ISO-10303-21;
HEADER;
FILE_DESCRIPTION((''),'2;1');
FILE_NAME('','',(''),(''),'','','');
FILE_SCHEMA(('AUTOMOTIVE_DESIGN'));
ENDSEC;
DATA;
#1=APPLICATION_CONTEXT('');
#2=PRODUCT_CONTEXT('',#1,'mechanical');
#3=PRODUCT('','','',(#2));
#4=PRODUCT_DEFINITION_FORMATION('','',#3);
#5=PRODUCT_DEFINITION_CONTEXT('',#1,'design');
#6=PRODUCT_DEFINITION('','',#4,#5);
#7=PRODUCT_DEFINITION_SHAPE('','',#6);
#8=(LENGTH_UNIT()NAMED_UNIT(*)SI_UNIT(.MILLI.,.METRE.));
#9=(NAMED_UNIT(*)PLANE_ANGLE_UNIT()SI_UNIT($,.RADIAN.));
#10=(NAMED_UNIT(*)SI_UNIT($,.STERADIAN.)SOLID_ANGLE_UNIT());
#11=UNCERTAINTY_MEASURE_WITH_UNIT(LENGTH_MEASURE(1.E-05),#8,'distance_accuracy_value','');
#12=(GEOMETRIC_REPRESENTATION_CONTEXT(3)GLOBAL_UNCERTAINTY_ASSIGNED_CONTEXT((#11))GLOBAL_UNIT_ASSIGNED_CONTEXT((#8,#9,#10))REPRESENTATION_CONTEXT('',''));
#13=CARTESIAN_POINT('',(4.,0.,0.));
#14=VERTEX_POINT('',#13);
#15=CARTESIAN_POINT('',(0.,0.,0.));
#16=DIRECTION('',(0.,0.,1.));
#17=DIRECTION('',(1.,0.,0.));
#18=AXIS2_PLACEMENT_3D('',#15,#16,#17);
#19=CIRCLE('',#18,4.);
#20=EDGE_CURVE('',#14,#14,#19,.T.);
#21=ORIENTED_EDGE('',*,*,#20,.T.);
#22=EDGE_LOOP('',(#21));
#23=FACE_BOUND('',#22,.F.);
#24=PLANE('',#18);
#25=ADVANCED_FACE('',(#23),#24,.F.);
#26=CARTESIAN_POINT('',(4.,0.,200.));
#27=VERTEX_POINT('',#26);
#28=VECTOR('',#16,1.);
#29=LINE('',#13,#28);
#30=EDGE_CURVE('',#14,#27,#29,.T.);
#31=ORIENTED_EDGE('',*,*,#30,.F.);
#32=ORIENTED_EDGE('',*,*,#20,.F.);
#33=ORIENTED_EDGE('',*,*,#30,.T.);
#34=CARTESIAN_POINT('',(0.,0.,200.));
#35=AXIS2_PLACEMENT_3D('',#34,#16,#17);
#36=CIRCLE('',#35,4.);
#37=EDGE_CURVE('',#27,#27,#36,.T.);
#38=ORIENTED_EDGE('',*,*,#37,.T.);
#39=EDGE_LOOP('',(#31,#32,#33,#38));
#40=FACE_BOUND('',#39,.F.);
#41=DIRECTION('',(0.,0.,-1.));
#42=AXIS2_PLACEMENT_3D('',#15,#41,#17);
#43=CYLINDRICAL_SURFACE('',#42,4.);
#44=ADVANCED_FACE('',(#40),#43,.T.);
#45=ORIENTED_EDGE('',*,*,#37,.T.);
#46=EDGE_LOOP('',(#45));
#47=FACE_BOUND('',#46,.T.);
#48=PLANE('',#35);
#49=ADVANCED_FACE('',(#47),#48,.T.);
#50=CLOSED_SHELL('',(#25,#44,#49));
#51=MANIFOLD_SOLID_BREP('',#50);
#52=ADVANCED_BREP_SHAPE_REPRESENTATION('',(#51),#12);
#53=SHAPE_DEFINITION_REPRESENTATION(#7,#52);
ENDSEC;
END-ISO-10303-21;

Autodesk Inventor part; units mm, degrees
ref_plane "YZ Plane" through (0, 0, 0) normal (1, 0, 0) x (0, 1, 0)
ref_plane "XZ Plane" through (0, 0, 0) normal (0, 1, 0) x (-1, 0, 0)
ref_plane "XY Plane" through (0, 0, 0) normal (0, 0, 1) x (1, 0, 0)
sketch "Sketch1" plane through (0, 0, 0) normal (0, 0, 1) x (1, 0, 0)
  circle A0 centre (0, 0) radius 4
  dimension "d0" = 8
extrude "Extrusion1" add sketch "Sketch1" along normal blind 200
properties part number "carbon_rod"
